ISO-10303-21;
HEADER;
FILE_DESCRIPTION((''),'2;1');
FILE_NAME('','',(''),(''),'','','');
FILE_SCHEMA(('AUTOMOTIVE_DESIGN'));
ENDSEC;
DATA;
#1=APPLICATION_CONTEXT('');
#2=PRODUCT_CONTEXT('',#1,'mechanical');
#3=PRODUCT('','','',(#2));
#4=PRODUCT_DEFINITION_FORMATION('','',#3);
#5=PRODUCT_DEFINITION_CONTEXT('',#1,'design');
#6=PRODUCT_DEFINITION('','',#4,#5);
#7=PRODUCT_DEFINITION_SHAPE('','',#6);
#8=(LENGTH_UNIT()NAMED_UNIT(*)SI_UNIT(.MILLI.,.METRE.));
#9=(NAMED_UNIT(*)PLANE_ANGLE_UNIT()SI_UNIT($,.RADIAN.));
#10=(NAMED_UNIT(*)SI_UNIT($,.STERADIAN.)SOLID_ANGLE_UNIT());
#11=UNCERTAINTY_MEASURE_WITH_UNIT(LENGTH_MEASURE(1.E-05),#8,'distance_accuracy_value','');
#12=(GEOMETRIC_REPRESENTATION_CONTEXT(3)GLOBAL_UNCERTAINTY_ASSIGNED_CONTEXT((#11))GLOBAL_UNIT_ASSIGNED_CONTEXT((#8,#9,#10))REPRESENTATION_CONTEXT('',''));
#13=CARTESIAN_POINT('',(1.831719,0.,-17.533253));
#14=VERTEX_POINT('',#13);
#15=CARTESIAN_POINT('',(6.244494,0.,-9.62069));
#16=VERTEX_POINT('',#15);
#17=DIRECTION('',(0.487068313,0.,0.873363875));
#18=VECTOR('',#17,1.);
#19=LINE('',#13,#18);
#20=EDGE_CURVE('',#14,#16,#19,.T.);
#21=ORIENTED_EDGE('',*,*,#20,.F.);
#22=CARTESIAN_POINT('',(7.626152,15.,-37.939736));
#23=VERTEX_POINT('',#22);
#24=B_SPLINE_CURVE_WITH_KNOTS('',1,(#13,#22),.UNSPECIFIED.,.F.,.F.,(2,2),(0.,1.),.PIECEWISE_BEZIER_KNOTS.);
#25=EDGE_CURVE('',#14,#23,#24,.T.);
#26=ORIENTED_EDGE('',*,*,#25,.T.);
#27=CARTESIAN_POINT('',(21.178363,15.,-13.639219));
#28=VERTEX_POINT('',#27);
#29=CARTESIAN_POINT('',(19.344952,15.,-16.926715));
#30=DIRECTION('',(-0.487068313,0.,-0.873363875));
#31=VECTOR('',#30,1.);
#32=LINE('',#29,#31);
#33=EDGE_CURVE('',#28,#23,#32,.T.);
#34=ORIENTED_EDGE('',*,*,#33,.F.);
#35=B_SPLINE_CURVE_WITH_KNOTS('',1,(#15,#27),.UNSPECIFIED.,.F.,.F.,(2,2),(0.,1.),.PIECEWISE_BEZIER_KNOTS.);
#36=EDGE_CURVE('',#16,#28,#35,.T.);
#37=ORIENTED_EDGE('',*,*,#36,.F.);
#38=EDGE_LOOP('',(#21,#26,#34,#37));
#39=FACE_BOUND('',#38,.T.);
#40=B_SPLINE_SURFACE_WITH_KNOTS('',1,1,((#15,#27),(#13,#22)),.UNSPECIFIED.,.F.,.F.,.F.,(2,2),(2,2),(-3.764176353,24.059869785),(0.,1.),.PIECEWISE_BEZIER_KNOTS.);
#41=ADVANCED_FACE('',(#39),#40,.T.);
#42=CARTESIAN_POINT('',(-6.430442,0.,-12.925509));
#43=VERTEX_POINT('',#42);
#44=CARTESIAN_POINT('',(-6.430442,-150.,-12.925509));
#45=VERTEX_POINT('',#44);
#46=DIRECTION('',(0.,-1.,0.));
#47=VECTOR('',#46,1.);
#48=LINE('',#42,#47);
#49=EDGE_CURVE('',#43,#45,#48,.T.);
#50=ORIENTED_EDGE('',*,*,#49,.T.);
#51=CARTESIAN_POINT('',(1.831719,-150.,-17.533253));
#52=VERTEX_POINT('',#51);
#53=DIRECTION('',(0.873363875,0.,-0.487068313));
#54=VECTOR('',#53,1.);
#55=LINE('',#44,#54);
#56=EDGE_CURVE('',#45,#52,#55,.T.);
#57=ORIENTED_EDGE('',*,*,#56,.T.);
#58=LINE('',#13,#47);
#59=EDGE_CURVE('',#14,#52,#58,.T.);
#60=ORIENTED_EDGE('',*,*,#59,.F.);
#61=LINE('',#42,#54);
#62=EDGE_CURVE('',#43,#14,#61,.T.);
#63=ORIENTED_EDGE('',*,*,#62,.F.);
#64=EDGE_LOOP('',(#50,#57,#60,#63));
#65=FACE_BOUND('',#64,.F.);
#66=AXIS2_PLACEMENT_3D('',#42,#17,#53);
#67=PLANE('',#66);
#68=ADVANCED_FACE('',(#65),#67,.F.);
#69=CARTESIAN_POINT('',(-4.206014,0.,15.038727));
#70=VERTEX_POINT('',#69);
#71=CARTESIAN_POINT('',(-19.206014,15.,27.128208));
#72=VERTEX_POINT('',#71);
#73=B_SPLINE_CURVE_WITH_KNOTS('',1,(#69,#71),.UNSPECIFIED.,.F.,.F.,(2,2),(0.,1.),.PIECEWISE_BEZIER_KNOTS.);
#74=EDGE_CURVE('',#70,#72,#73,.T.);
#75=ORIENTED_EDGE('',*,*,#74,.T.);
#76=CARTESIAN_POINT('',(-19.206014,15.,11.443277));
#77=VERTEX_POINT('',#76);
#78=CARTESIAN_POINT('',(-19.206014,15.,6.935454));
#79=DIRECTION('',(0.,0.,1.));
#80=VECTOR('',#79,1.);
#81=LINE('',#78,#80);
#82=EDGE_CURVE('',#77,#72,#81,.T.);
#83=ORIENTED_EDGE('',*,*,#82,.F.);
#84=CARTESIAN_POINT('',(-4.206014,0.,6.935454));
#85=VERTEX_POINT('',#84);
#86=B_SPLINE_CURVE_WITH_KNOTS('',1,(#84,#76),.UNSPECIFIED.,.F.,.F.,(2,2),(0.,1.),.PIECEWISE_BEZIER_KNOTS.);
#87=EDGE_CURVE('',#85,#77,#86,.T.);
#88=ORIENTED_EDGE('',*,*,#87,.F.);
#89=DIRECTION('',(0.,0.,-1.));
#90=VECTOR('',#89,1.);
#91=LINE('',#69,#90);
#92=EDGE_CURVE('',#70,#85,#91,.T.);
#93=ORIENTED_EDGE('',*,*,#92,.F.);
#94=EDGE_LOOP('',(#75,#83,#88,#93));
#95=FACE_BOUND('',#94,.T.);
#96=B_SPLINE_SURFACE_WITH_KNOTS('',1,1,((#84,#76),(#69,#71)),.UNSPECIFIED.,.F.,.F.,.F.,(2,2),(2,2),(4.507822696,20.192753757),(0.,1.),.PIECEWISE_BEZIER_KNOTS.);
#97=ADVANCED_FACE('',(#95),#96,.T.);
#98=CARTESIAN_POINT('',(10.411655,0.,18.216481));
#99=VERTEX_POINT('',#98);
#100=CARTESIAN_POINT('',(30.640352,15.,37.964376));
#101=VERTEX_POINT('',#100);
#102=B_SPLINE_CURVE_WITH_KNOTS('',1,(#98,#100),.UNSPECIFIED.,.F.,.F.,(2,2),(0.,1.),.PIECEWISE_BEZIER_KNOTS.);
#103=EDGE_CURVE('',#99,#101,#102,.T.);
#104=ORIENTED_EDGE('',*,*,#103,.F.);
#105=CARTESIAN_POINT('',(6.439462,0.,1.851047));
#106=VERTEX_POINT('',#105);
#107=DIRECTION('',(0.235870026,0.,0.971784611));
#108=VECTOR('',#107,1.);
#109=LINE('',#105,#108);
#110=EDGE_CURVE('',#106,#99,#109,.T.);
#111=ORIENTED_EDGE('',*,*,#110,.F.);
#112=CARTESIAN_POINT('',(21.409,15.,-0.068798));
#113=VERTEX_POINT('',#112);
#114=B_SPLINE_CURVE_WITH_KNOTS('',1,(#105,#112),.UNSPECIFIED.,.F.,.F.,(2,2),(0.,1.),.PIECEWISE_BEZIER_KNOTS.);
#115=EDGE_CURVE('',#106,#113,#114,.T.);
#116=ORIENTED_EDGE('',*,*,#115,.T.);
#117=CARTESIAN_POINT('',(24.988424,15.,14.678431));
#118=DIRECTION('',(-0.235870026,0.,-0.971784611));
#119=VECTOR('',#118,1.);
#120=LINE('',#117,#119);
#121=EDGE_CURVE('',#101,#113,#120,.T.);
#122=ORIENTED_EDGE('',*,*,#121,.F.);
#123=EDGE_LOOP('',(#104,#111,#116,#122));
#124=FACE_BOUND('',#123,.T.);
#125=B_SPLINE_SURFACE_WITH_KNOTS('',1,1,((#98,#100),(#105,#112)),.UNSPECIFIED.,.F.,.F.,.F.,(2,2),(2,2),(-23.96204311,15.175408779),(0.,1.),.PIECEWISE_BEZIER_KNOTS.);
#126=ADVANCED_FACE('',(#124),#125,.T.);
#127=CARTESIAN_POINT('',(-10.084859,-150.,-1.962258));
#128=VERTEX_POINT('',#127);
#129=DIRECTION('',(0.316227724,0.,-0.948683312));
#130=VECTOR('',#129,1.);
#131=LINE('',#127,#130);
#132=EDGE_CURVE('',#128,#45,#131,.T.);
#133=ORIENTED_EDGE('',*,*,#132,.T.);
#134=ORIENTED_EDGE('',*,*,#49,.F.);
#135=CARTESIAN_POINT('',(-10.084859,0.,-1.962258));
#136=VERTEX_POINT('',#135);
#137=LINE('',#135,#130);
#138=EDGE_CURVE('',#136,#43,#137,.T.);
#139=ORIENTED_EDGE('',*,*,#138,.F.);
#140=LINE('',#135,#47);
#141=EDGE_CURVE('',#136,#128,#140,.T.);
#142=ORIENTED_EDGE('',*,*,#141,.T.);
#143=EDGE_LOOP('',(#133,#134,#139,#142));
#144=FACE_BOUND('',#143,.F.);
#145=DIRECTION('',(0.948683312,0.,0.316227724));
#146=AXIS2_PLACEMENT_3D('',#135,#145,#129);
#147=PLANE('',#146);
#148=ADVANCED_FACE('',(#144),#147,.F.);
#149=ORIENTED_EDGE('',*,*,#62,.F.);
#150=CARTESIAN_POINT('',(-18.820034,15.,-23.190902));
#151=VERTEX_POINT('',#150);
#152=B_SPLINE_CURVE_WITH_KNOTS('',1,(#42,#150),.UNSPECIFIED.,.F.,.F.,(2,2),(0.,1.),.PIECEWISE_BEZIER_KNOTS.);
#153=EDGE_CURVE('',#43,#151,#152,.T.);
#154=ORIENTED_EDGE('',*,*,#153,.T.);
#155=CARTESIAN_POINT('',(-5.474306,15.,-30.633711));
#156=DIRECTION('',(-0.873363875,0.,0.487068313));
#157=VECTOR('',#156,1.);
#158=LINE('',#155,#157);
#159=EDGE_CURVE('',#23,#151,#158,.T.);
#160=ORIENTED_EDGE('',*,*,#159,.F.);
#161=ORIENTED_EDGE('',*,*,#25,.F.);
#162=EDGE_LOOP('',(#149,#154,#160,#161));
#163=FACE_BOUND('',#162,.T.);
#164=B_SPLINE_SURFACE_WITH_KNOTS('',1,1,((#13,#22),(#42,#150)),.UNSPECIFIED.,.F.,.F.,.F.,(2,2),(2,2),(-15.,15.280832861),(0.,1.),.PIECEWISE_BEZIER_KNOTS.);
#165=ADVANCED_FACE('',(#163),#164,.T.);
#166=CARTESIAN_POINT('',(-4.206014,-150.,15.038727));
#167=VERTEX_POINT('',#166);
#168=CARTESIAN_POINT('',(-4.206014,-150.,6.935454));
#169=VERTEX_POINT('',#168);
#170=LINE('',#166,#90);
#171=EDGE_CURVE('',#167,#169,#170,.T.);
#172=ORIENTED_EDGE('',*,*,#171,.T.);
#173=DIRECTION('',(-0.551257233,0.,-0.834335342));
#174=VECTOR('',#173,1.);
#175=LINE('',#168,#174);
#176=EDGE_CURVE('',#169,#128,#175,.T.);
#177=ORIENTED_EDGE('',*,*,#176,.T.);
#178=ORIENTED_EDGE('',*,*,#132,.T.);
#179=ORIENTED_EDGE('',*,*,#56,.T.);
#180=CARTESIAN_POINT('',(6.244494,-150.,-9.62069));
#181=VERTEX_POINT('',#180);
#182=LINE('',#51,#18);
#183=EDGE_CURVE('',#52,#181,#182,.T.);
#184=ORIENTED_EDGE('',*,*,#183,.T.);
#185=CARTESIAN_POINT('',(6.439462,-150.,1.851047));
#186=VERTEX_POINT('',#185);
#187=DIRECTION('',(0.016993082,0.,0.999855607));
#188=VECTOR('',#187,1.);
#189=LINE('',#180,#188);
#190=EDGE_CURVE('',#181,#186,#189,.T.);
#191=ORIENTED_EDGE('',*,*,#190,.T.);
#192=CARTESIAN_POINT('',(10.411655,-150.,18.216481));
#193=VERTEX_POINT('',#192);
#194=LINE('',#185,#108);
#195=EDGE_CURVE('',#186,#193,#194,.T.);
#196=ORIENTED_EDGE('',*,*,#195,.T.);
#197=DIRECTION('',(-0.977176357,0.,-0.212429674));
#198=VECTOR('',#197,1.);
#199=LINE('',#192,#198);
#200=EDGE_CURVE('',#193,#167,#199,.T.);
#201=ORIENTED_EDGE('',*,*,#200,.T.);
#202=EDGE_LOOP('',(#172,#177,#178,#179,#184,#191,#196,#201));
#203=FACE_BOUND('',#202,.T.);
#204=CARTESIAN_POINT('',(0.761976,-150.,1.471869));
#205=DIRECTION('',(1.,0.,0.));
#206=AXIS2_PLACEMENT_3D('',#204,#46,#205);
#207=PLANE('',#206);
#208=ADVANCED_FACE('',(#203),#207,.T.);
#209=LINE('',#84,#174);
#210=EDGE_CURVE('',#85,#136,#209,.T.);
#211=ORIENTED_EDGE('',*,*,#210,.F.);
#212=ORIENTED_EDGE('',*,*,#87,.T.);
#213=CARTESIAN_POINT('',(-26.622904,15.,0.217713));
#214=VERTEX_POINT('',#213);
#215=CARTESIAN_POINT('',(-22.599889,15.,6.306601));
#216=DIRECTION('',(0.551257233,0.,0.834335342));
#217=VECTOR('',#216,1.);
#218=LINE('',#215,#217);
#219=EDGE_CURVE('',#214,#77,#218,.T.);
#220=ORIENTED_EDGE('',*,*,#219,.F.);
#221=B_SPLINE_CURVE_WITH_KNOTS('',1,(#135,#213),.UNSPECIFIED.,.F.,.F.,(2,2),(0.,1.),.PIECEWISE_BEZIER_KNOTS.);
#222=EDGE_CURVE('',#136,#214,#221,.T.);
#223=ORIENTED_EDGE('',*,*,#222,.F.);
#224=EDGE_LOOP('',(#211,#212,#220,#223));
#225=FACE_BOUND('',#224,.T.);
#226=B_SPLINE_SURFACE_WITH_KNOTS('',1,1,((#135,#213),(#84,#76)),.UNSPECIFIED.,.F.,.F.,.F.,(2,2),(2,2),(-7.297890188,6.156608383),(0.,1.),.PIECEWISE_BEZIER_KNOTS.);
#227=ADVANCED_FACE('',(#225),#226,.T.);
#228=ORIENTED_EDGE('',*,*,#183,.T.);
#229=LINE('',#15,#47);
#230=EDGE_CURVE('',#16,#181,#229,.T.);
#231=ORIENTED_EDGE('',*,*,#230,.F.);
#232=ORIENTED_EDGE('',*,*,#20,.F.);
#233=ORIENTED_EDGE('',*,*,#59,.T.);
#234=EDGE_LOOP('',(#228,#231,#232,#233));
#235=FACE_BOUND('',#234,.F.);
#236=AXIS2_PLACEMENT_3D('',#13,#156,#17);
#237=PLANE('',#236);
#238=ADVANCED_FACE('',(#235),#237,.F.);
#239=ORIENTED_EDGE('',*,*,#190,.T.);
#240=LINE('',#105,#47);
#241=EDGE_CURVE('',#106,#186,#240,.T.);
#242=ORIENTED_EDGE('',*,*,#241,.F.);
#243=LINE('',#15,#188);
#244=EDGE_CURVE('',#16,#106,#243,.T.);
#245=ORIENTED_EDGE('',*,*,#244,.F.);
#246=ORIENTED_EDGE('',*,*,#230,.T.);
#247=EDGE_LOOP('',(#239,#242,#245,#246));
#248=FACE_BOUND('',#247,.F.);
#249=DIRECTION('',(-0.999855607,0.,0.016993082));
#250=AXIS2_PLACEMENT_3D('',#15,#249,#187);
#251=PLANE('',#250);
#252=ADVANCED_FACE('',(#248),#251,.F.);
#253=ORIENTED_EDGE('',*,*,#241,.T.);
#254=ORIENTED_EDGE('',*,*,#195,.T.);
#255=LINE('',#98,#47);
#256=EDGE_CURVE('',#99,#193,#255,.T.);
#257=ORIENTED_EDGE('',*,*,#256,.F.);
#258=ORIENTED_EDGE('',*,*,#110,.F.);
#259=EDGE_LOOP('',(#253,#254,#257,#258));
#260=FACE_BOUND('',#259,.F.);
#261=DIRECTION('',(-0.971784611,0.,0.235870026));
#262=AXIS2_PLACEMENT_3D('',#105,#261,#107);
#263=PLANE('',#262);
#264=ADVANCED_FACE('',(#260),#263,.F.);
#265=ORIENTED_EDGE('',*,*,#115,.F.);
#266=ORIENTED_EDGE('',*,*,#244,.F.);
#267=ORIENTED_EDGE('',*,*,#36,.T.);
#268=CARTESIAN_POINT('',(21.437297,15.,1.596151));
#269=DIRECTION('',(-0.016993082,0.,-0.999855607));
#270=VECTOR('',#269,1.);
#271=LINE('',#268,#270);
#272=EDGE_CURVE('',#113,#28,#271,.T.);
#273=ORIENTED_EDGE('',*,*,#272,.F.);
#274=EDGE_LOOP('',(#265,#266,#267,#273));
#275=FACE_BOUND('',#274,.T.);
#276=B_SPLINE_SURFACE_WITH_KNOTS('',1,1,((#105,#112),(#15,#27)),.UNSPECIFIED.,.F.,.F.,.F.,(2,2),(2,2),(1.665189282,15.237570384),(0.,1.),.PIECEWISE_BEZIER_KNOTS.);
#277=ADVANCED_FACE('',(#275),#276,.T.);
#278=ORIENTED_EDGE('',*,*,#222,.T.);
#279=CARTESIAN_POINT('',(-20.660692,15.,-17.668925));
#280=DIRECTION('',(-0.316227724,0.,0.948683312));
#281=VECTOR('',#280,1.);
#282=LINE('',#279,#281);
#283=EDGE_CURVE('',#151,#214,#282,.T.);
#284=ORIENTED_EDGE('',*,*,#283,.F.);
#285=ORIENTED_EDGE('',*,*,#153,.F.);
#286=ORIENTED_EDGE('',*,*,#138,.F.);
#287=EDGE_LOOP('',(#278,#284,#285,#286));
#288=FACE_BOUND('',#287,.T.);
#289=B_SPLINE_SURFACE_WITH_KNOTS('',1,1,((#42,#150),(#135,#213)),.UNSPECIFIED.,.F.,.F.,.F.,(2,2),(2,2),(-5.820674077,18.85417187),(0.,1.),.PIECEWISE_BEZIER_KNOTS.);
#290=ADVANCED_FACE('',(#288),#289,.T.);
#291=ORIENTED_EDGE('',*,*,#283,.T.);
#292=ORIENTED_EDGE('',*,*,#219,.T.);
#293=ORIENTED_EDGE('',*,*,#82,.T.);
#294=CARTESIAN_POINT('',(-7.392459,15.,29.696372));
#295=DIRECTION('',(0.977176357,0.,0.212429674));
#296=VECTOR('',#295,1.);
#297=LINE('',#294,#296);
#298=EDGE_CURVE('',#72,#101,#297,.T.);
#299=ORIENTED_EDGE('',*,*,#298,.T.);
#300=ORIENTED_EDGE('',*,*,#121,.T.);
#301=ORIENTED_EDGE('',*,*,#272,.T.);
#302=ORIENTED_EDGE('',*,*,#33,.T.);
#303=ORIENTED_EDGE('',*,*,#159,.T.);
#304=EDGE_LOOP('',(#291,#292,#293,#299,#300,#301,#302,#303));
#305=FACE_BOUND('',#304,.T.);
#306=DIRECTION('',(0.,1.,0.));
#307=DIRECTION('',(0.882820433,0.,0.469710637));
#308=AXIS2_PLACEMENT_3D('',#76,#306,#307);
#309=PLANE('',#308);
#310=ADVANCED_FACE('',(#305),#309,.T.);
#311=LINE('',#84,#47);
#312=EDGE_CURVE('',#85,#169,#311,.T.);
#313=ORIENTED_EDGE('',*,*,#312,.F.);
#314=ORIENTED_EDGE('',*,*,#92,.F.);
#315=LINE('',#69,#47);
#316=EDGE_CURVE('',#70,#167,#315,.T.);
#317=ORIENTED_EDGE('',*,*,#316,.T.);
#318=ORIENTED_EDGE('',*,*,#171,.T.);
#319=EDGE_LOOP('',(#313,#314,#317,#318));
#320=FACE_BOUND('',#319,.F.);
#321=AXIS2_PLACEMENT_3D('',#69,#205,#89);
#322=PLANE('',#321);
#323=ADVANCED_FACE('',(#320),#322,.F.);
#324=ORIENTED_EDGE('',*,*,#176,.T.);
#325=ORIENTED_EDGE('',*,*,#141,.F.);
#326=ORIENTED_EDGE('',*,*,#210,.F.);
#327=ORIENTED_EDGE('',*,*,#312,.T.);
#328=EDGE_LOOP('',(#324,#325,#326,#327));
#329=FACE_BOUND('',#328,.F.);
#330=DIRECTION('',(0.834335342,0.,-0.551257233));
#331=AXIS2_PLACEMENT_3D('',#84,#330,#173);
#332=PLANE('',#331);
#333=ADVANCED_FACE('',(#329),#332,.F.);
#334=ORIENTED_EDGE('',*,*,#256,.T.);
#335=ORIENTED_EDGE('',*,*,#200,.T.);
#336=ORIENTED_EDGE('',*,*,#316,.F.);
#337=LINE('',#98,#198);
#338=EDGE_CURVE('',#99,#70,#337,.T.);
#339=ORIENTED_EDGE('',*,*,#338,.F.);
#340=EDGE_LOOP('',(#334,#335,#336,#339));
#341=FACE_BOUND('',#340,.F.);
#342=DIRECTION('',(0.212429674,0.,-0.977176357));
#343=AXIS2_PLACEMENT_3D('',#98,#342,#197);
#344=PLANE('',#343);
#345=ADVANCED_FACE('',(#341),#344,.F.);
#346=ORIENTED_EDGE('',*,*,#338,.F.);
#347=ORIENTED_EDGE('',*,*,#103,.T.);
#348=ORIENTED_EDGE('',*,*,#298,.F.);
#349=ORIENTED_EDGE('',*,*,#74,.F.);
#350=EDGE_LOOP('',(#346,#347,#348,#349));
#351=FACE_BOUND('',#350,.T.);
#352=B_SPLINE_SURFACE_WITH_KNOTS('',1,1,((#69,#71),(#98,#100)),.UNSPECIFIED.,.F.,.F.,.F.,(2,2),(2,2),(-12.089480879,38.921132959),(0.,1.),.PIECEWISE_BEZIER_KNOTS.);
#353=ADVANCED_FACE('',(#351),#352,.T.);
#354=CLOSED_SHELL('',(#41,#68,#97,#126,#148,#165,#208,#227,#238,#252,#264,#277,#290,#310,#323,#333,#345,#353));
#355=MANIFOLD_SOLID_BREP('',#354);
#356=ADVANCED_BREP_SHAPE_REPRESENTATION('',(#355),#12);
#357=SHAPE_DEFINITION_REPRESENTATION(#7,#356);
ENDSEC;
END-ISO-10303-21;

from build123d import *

# Parameters (mm, degrees)
F1_DEPTH = 150
F2_DEPTH = 15
F2_TAPER = -45


with BuildPart() as f1:
    # F0 (on Front) → F1 (new body)
    with BuildSketch(Plane.XZ):
        Polygon((-4.2060142278, 15.0387269028), (-4.2060142278, 6.9354540252), (-10.0848589919, -1.9622577305), (-6.4304423414, -12.925509312), (1.8317185913, -17.5332528956), (6.2444940872, -9.6206899143), (6.4394624077, 1.8510474407), (10.4116547026, 18.2164814838), align=None)
    extrude(amount=F1_DEPTH)

    # F1_face (on face) → F2 (join)
    with BuildSketch(Plane(origin=(0.3079929201, 0, 0.7285938537), x_dir=(1, 0, 0), z_dir=(0, 1, 0))):
        Polygon((-4.5140071479, -6.2068601715), (-4.5140071479, -14.3101330491), (10.1036617825, -17.4878876301), (6.1314694876, -1.122453587), (5.9365011671, 10.349283768), (1.5237256712, 18.2618467493), (-6.7384352615, 13.6541031656), (-10.392851912, 2.6908515842), align=None)
    extrude(amount=F2_DEPTH, taper=F2_TAPER)


solid = f1.part
